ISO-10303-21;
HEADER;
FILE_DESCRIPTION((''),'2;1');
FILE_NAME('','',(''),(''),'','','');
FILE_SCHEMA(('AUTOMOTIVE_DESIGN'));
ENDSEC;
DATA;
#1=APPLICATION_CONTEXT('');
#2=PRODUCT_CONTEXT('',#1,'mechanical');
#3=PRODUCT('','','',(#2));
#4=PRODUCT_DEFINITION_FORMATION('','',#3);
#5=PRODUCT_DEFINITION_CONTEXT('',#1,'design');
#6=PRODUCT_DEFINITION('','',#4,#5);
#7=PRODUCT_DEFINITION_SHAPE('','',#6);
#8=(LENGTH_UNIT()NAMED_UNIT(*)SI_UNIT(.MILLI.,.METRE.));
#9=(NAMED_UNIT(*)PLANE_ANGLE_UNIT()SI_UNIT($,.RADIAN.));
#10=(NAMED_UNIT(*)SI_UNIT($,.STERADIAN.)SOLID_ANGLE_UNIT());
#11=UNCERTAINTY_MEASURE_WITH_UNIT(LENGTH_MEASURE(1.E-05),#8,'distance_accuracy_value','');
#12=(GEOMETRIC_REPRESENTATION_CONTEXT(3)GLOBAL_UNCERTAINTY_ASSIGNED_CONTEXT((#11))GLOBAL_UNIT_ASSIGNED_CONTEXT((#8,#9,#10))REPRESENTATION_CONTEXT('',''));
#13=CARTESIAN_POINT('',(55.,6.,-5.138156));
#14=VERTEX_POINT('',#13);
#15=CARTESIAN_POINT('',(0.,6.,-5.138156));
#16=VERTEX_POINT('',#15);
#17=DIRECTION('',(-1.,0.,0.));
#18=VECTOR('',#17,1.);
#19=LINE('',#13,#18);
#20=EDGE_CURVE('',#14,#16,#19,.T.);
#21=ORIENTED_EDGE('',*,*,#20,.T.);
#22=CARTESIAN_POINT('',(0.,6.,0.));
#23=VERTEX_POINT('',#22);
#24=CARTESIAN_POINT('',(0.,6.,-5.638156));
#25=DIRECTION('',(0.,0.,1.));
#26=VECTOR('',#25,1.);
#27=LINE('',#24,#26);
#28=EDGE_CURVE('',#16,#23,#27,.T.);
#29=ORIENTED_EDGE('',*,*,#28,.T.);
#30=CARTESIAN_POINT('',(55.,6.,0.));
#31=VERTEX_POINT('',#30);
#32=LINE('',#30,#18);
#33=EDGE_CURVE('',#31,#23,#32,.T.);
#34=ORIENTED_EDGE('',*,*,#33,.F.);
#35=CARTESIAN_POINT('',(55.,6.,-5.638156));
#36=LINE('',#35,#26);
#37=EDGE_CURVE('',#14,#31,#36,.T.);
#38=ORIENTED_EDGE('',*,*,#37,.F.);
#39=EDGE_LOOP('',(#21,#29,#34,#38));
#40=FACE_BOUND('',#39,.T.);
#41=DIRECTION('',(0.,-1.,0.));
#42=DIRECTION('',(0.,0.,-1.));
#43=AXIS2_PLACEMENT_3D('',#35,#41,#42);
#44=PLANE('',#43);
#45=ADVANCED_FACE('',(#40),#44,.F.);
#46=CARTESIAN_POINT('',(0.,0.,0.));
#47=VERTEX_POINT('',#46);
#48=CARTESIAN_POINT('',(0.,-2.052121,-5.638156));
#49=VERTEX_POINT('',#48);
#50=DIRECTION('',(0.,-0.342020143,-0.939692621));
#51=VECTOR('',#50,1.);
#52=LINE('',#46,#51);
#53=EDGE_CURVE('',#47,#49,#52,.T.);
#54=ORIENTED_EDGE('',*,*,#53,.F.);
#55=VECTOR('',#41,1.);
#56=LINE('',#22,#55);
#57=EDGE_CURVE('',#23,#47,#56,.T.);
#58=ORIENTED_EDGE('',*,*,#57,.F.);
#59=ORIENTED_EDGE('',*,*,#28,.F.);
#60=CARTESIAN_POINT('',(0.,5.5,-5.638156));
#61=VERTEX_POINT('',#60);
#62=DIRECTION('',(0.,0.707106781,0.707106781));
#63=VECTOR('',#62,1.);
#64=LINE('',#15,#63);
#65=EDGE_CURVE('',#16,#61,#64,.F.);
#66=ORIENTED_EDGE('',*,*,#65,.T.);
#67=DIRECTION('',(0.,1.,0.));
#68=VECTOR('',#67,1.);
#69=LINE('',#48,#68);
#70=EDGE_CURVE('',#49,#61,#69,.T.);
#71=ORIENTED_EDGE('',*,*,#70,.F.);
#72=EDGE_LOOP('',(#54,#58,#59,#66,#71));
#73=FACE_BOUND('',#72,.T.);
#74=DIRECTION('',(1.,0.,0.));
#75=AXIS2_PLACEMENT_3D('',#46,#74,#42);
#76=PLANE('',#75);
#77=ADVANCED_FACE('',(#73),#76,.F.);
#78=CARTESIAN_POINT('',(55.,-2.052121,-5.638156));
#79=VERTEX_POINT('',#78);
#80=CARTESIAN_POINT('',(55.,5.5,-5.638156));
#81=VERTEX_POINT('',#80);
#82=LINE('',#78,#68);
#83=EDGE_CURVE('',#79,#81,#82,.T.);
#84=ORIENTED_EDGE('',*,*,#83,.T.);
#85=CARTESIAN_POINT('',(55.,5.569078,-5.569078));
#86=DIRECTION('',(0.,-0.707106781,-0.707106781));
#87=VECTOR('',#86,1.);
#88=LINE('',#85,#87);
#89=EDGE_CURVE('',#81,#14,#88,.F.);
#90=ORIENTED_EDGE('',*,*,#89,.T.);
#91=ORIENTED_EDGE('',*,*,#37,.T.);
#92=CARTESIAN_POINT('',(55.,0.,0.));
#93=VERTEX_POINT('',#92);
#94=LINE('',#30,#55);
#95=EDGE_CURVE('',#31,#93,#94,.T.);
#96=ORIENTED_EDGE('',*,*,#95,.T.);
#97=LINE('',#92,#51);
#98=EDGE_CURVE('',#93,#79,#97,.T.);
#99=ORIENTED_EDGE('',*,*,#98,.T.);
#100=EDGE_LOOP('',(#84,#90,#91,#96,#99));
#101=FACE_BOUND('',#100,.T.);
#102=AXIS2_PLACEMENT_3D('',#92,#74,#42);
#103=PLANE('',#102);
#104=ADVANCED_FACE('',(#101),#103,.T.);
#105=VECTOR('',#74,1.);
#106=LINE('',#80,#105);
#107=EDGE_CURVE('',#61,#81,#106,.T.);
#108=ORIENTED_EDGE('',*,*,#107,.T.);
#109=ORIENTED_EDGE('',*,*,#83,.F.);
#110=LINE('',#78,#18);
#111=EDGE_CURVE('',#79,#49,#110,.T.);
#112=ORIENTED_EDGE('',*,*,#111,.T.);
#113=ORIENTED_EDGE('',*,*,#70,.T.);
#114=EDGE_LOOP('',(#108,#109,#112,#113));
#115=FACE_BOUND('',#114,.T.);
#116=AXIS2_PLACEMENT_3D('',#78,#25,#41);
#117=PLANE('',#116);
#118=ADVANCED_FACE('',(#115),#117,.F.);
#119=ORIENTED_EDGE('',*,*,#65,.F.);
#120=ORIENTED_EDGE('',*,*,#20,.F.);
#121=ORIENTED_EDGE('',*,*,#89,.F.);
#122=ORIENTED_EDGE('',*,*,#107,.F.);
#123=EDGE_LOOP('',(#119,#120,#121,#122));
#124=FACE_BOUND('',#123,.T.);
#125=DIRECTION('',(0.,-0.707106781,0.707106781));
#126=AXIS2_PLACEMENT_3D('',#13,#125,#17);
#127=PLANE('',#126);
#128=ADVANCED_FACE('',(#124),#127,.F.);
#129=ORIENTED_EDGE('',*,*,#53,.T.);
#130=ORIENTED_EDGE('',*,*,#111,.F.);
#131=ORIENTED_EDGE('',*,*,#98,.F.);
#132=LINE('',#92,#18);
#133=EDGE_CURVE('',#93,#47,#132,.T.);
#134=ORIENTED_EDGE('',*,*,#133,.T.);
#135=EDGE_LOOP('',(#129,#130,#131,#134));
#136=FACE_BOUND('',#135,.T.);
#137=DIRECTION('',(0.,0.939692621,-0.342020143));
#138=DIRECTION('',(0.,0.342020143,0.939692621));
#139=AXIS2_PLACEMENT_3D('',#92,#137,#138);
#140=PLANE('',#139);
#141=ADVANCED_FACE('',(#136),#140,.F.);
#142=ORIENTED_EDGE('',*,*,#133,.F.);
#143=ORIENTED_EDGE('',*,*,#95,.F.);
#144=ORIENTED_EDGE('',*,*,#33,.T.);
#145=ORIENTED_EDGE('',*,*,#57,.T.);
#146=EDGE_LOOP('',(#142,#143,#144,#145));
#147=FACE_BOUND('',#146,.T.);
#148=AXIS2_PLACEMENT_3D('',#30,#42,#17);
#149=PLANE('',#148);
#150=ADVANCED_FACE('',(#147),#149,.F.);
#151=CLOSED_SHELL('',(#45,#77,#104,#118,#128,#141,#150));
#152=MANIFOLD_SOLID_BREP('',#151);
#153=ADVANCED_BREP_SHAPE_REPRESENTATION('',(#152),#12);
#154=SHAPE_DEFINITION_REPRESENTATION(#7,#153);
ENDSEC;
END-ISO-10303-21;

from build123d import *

# Parameters (mm, degrees)
EXTRUDE_1_DEPTH = 55
CHAMFER_1_SIZE  = 0.5


with BuildPart() as part:
    # 草图1 → 凸台-拉伸1 (new body)
    with BuildSketch(Plane(origin=(0, 0, 0), x_dir=(0, 0, -1), z_dir=(1, 0, 0))):
        Polygon((0, 6), (0, 0), (5.638155725, -2.05212086), (5.638155725, 6), align=None)
    extrude(amount=EXTRUDE_1_DEPTH)

    # 倒角1
    chamfer_1_edges = [part.edges().sort_by_distance(p)[0] for p in [
        (27.5, 6, -5.638155725),
    ]]
    chamfer(chamfer_1_edges, length=CHAMFER_1_SIZE)


solid = part.part
